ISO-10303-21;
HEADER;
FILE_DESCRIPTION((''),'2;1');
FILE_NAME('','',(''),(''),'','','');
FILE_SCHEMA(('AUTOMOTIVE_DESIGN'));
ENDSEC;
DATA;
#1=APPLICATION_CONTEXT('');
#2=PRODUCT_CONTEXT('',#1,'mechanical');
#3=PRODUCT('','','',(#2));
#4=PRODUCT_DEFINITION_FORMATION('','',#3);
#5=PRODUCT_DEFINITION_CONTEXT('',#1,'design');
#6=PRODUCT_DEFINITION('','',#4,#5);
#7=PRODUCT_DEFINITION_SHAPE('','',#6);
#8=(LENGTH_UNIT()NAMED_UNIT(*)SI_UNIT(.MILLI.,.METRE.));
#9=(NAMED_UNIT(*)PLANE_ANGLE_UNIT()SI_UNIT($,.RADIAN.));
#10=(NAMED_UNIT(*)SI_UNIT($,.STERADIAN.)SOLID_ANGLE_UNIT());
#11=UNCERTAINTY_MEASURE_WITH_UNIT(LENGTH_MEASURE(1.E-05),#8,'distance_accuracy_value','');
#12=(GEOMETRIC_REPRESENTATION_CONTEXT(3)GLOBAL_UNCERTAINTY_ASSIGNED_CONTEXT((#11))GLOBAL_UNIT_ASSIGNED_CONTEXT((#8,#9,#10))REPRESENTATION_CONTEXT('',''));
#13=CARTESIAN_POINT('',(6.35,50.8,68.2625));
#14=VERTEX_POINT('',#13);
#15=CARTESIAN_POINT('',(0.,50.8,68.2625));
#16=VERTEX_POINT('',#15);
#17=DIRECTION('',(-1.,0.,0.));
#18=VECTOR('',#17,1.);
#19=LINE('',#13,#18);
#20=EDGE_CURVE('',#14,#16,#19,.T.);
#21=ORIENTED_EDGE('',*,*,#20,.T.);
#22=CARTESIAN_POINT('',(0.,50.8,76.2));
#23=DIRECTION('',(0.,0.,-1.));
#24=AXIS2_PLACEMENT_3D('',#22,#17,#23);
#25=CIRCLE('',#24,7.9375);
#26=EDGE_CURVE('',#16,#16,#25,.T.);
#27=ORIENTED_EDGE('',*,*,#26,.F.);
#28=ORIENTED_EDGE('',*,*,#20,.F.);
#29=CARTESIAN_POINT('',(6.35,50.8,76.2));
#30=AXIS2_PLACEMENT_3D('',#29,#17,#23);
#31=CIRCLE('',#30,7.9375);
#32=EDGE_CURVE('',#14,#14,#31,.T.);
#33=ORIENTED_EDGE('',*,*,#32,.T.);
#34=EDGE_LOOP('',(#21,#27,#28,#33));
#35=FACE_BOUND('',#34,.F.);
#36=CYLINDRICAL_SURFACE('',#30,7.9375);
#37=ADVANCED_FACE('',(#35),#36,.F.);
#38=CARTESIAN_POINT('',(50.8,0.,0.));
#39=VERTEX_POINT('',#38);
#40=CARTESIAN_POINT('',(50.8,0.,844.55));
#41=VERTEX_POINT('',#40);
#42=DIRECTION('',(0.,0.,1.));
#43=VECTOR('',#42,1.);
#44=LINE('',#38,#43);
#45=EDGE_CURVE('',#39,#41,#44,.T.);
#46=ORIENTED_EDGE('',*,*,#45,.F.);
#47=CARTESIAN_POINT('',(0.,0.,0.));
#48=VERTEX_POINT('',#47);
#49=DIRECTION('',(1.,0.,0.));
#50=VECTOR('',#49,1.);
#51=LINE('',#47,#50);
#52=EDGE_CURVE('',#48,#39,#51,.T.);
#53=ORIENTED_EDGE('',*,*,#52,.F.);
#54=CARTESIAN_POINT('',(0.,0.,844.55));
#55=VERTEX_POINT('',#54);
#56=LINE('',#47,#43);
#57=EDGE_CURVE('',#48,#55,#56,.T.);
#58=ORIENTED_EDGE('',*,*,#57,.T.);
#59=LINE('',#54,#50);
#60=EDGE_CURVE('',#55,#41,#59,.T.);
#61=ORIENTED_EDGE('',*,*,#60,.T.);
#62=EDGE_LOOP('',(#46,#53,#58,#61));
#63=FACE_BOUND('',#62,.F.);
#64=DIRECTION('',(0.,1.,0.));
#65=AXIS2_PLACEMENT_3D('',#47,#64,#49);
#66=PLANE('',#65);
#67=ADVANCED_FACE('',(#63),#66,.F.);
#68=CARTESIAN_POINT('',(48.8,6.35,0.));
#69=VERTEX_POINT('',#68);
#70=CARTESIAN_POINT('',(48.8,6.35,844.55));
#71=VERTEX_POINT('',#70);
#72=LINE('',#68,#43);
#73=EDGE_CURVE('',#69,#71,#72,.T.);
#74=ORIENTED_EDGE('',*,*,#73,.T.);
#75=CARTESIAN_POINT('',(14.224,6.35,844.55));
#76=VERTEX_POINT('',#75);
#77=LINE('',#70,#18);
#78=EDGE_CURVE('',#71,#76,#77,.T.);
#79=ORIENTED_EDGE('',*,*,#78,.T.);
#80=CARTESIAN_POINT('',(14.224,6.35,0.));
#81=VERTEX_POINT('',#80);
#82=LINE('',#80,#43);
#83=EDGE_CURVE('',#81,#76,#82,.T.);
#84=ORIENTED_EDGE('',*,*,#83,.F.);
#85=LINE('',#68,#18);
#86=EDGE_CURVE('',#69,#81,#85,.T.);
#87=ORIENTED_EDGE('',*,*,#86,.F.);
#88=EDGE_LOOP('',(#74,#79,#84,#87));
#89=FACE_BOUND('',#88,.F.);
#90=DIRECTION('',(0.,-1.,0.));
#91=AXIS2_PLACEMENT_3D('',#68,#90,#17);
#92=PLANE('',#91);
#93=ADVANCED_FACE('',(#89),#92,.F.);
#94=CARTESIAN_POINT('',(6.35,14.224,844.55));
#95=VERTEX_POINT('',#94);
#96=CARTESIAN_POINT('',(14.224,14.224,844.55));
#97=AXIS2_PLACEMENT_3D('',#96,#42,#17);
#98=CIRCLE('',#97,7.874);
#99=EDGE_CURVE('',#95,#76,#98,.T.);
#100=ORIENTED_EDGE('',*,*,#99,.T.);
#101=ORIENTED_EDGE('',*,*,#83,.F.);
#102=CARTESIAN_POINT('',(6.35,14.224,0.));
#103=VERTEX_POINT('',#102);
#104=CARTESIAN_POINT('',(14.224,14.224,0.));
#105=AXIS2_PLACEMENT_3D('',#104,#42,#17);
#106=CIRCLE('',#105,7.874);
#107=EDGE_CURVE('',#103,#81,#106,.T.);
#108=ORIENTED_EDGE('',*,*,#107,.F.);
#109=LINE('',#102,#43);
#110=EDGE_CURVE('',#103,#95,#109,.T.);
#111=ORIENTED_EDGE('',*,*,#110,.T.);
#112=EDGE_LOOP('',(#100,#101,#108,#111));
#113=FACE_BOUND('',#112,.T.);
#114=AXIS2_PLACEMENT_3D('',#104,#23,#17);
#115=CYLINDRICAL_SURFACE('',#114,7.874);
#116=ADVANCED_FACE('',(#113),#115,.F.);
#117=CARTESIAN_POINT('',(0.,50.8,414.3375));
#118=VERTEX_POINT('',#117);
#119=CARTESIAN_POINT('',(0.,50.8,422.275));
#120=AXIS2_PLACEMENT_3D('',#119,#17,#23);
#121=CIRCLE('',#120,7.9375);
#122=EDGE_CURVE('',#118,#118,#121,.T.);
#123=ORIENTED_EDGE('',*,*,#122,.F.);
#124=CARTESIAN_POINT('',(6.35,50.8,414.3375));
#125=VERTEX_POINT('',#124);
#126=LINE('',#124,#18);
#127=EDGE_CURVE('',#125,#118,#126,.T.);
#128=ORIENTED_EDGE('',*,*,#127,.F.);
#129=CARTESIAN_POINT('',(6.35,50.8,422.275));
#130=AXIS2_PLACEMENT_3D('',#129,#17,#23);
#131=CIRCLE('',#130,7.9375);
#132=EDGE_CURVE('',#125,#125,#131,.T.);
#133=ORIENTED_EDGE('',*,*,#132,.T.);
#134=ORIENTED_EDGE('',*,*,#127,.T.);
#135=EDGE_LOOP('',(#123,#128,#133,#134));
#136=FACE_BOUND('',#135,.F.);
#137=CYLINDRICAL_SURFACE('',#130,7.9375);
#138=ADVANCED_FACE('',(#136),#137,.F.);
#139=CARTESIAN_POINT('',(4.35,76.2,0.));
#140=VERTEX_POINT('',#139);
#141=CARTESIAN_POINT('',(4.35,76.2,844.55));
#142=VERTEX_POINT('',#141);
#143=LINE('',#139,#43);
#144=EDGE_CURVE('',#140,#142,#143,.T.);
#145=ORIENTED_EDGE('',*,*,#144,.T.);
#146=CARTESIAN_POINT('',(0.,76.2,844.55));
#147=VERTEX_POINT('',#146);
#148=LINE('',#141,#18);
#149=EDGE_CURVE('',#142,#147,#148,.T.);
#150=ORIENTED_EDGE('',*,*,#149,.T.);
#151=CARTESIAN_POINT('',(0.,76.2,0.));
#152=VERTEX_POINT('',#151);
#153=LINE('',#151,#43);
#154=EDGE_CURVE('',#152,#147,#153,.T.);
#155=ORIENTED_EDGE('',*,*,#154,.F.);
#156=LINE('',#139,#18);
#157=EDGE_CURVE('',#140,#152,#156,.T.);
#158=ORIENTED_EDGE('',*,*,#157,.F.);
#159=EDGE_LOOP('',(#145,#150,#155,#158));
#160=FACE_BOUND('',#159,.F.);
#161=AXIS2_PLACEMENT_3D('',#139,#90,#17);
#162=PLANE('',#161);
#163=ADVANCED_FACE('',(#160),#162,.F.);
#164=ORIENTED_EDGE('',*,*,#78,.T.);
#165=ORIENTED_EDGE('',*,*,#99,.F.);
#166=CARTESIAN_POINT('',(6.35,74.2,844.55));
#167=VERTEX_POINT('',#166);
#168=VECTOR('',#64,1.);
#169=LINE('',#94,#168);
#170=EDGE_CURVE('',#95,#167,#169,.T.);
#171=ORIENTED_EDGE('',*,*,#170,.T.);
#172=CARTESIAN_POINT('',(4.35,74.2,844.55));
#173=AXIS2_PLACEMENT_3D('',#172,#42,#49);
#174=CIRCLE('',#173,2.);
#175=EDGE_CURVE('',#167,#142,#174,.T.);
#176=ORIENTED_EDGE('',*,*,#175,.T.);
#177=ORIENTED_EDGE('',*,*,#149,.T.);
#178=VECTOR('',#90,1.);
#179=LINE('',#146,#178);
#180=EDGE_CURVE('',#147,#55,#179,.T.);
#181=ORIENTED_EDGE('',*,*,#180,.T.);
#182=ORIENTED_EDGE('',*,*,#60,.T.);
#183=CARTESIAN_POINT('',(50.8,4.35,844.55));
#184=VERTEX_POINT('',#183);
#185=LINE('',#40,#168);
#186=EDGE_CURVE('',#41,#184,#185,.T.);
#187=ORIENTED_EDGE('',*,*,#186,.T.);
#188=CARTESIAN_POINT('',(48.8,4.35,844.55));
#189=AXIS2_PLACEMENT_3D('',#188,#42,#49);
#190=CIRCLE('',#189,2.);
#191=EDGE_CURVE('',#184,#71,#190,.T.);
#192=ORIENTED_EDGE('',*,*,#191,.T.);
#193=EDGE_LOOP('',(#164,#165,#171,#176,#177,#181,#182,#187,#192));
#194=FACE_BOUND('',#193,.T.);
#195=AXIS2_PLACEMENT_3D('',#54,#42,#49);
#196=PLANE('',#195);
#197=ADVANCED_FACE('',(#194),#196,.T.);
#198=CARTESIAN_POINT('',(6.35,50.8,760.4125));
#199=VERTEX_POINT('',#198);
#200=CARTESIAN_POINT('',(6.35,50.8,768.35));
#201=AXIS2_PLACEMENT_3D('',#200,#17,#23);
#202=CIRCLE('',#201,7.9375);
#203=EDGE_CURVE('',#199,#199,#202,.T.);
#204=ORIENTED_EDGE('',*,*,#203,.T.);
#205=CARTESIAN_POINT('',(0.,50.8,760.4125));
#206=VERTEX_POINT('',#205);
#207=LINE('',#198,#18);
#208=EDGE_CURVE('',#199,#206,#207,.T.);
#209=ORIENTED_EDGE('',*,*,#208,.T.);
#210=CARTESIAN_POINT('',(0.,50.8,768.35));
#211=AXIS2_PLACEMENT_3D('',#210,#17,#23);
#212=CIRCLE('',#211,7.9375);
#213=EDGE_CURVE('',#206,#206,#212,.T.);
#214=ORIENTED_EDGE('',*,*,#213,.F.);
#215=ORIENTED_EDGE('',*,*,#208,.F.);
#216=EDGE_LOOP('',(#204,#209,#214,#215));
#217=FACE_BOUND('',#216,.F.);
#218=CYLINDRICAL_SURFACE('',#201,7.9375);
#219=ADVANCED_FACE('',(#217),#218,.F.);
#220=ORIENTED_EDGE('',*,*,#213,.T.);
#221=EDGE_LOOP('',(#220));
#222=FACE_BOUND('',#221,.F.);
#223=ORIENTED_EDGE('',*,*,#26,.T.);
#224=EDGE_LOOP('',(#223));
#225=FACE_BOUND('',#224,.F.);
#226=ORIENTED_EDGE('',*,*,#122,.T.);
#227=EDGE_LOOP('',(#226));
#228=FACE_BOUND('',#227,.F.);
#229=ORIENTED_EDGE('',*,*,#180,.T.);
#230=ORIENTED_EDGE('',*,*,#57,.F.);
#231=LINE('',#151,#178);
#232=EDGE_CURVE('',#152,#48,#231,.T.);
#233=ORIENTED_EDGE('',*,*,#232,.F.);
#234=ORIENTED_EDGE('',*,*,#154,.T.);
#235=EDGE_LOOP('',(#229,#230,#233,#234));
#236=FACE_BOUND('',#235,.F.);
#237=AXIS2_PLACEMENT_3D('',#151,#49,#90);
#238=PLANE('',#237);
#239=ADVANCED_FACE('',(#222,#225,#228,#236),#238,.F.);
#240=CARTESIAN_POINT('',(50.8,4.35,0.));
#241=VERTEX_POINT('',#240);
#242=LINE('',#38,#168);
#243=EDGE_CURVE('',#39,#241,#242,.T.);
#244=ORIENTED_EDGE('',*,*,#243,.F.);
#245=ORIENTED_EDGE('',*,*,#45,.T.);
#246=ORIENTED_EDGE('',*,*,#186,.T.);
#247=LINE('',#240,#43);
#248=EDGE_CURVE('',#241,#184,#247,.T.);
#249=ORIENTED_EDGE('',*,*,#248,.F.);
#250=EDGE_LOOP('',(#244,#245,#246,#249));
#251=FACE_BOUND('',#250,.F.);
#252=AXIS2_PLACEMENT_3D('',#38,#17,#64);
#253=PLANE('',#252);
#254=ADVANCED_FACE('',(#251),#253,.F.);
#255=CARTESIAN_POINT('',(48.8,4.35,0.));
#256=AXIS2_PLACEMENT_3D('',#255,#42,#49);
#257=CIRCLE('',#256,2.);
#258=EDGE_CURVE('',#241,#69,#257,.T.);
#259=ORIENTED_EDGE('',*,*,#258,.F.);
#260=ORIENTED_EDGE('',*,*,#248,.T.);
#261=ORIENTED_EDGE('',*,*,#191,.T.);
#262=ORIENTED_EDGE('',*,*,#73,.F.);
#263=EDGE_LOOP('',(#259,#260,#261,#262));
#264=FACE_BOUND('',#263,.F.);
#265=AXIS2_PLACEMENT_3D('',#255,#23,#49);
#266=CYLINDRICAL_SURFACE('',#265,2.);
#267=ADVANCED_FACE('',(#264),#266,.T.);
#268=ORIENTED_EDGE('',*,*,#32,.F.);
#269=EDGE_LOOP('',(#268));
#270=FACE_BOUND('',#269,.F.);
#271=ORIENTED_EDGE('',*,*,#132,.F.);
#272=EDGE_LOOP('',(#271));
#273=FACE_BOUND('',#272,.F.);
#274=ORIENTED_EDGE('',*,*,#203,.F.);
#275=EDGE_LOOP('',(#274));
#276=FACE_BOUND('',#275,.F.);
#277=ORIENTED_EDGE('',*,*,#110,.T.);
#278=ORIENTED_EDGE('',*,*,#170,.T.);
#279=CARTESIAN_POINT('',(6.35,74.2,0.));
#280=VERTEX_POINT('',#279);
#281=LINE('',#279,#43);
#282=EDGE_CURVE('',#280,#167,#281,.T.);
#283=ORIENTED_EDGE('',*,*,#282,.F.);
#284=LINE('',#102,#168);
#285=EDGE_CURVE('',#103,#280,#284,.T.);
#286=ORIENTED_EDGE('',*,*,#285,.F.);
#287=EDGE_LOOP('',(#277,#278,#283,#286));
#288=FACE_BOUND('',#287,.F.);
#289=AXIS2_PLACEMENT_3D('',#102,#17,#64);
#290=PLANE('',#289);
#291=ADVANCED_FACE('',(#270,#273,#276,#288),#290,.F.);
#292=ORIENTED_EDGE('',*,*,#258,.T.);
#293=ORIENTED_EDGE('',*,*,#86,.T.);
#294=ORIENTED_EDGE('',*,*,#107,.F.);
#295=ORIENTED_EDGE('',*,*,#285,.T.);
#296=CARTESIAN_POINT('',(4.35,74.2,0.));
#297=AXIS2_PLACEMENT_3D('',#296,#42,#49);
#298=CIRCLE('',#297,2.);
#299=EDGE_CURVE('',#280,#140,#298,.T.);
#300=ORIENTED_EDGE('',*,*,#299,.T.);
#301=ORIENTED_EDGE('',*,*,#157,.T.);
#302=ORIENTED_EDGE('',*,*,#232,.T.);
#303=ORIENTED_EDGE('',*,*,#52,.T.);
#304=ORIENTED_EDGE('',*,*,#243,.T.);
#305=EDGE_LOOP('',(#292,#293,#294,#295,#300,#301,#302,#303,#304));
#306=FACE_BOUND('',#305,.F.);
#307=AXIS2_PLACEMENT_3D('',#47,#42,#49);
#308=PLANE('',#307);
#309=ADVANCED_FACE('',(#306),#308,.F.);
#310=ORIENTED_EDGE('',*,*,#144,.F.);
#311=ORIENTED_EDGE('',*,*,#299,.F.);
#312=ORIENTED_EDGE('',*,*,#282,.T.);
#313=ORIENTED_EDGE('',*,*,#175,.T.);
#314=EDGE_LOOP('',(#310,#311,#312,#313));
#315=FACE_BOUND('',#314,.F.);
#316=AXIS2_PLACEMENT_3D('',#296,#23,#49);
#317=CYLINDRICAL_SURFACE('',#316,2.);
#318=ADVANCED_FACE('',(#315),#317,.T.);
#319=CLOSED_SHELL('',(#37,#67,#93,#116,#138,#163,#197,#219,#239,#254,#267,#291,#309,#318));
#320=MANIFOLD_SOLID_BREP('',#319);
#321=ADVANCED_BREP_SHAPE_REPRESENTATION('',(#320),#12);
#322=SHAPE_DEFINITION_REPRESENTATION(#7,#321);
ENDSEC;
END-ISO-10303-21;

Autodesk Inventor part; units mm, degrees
ref_plane "YZ Plane" through (0, 0, 0) normal (1, 0, 0) x (0, 1, 0)
ref_plane "Start plane" through (0, 0, 0) normal (0, 0, 1) x (1, 0, 0)
ref_plane "End plane" through (0, 0, 844.55) normal (0, 0, 1) x (1, 0, 0)
sketch "Sketch" plane through (0, 0, 0) normal (0, 0, 1) x (1, 0, 0)
  line L0 (0, 76.2) -> (0, 0)
  line L1 (0, 0) -> (50.8, 0)
  line L2 (50.8, 0) -> (50.8, 4.35)
  line L3 (48.8, 6.35) -> (14.224, 6.35)
  line L4 (6.35, 14.224) -> (6.35, 74.2)
  line L5 (4.35, 76.2) -> (0, 76.2)
  line L6 (-7.0414, 0) -> (21.5385, 0) construction
  line L7 (0, -8.0414) -> (0, 34.5385) construction
  arc A0 (6.35, 14.224) -> (14.224, 6.35) centre (14.224, 14.224) ccw
  arc A1 (50.8, 4.35) -> (48.8, 6.35) centre (48.8, 4.35) ccw
  arc A2 (6.35, 74.2) -> (4.35, 76.2) centre (4.35, 74.2) ccw
  line L8 (0, 93.5453) -> (0, -24.9725) construction
  line L9 (-18.6925, 0) -> (62.8653, 0) construction
  point P0 (50.8, 6.35)
  point P1 (6.35, 6.35)
  point P2 (6.35, 76.2)
  dimension "d12" = 6.35
  dimension "d13" = 76.2
  dimension "d14" = 50.8
  dimension "d15" = 0
  dimension "d16" = 6.35
  dimension "d17" = 0
  dimension "d18" = 7.874
  dimension "d19" = 2
extrude "Body" add sketch "Sketch" along normal up to surface (844.55 mm away) from surface at 0
sketch "Sketch3" plane through (6.35, 14.224, 844.55) normal (1, 0, 0) x (0, 0, -1)
  line L0 (0, 59.976) -> (0, 0) projected
  line L1 (844.55, 59.976) -> (844.55, 0) projected
  line L2 (844.55, 59.976) -> (0, 59.976) projected
  line L3 (0, 36.576) -> (844.55, 36.576) construction
  line L4 (844.55, 61.976) -> (0, 61.976) projected
  point P0 (76.2, 36.576)
  point P1 (422.275, 36.576)
  point P2 (768.35, 36.576)
  dimension "d22" = 76.2
  dimension "d23" = 422.275
  dimension "d24" = 768.35
  dimension "d32" = 25.4
hole "Hole1" at (6.35, 50.8, 768.35) at (6.35, 50.8, 422.275) at (6.35, 50.8, 76.2) direction (-1, 0, 0) diameter 15.875 end through all
equation "\"d12\" = G_T"
equation "\"d13\" = G_H"
equation "\"d14\" = G_W"
equation "\"d16\" = G_T"
equation "\"d18\" = G_IR"
equation "\"d4\" = G_L"
equation "\"G_W\" = 50.8"
equation "\"G_H\" = 76.2"
equation "\"G_T\" = 6.35"
equation "\"G_ER\" = 4.064"
equation "\"G_IR\" = 7.874"
equation "\"G_L\" = B_L + G_OFFSET_START + G_OFFSET_END"
equation "\"ex\" = 0"
equation "\"ey\" = 0"
equation "\"G_OFFSET_START\" = 0"
equation "\"G_OFFSET_END\" = 0"
equation "\"d21\" = G_OFFSET_END + B_L"
equation "\"B_L\" = 844.55"
properties part number "ANSI L 3 x 2 x 1_4 00000011"
